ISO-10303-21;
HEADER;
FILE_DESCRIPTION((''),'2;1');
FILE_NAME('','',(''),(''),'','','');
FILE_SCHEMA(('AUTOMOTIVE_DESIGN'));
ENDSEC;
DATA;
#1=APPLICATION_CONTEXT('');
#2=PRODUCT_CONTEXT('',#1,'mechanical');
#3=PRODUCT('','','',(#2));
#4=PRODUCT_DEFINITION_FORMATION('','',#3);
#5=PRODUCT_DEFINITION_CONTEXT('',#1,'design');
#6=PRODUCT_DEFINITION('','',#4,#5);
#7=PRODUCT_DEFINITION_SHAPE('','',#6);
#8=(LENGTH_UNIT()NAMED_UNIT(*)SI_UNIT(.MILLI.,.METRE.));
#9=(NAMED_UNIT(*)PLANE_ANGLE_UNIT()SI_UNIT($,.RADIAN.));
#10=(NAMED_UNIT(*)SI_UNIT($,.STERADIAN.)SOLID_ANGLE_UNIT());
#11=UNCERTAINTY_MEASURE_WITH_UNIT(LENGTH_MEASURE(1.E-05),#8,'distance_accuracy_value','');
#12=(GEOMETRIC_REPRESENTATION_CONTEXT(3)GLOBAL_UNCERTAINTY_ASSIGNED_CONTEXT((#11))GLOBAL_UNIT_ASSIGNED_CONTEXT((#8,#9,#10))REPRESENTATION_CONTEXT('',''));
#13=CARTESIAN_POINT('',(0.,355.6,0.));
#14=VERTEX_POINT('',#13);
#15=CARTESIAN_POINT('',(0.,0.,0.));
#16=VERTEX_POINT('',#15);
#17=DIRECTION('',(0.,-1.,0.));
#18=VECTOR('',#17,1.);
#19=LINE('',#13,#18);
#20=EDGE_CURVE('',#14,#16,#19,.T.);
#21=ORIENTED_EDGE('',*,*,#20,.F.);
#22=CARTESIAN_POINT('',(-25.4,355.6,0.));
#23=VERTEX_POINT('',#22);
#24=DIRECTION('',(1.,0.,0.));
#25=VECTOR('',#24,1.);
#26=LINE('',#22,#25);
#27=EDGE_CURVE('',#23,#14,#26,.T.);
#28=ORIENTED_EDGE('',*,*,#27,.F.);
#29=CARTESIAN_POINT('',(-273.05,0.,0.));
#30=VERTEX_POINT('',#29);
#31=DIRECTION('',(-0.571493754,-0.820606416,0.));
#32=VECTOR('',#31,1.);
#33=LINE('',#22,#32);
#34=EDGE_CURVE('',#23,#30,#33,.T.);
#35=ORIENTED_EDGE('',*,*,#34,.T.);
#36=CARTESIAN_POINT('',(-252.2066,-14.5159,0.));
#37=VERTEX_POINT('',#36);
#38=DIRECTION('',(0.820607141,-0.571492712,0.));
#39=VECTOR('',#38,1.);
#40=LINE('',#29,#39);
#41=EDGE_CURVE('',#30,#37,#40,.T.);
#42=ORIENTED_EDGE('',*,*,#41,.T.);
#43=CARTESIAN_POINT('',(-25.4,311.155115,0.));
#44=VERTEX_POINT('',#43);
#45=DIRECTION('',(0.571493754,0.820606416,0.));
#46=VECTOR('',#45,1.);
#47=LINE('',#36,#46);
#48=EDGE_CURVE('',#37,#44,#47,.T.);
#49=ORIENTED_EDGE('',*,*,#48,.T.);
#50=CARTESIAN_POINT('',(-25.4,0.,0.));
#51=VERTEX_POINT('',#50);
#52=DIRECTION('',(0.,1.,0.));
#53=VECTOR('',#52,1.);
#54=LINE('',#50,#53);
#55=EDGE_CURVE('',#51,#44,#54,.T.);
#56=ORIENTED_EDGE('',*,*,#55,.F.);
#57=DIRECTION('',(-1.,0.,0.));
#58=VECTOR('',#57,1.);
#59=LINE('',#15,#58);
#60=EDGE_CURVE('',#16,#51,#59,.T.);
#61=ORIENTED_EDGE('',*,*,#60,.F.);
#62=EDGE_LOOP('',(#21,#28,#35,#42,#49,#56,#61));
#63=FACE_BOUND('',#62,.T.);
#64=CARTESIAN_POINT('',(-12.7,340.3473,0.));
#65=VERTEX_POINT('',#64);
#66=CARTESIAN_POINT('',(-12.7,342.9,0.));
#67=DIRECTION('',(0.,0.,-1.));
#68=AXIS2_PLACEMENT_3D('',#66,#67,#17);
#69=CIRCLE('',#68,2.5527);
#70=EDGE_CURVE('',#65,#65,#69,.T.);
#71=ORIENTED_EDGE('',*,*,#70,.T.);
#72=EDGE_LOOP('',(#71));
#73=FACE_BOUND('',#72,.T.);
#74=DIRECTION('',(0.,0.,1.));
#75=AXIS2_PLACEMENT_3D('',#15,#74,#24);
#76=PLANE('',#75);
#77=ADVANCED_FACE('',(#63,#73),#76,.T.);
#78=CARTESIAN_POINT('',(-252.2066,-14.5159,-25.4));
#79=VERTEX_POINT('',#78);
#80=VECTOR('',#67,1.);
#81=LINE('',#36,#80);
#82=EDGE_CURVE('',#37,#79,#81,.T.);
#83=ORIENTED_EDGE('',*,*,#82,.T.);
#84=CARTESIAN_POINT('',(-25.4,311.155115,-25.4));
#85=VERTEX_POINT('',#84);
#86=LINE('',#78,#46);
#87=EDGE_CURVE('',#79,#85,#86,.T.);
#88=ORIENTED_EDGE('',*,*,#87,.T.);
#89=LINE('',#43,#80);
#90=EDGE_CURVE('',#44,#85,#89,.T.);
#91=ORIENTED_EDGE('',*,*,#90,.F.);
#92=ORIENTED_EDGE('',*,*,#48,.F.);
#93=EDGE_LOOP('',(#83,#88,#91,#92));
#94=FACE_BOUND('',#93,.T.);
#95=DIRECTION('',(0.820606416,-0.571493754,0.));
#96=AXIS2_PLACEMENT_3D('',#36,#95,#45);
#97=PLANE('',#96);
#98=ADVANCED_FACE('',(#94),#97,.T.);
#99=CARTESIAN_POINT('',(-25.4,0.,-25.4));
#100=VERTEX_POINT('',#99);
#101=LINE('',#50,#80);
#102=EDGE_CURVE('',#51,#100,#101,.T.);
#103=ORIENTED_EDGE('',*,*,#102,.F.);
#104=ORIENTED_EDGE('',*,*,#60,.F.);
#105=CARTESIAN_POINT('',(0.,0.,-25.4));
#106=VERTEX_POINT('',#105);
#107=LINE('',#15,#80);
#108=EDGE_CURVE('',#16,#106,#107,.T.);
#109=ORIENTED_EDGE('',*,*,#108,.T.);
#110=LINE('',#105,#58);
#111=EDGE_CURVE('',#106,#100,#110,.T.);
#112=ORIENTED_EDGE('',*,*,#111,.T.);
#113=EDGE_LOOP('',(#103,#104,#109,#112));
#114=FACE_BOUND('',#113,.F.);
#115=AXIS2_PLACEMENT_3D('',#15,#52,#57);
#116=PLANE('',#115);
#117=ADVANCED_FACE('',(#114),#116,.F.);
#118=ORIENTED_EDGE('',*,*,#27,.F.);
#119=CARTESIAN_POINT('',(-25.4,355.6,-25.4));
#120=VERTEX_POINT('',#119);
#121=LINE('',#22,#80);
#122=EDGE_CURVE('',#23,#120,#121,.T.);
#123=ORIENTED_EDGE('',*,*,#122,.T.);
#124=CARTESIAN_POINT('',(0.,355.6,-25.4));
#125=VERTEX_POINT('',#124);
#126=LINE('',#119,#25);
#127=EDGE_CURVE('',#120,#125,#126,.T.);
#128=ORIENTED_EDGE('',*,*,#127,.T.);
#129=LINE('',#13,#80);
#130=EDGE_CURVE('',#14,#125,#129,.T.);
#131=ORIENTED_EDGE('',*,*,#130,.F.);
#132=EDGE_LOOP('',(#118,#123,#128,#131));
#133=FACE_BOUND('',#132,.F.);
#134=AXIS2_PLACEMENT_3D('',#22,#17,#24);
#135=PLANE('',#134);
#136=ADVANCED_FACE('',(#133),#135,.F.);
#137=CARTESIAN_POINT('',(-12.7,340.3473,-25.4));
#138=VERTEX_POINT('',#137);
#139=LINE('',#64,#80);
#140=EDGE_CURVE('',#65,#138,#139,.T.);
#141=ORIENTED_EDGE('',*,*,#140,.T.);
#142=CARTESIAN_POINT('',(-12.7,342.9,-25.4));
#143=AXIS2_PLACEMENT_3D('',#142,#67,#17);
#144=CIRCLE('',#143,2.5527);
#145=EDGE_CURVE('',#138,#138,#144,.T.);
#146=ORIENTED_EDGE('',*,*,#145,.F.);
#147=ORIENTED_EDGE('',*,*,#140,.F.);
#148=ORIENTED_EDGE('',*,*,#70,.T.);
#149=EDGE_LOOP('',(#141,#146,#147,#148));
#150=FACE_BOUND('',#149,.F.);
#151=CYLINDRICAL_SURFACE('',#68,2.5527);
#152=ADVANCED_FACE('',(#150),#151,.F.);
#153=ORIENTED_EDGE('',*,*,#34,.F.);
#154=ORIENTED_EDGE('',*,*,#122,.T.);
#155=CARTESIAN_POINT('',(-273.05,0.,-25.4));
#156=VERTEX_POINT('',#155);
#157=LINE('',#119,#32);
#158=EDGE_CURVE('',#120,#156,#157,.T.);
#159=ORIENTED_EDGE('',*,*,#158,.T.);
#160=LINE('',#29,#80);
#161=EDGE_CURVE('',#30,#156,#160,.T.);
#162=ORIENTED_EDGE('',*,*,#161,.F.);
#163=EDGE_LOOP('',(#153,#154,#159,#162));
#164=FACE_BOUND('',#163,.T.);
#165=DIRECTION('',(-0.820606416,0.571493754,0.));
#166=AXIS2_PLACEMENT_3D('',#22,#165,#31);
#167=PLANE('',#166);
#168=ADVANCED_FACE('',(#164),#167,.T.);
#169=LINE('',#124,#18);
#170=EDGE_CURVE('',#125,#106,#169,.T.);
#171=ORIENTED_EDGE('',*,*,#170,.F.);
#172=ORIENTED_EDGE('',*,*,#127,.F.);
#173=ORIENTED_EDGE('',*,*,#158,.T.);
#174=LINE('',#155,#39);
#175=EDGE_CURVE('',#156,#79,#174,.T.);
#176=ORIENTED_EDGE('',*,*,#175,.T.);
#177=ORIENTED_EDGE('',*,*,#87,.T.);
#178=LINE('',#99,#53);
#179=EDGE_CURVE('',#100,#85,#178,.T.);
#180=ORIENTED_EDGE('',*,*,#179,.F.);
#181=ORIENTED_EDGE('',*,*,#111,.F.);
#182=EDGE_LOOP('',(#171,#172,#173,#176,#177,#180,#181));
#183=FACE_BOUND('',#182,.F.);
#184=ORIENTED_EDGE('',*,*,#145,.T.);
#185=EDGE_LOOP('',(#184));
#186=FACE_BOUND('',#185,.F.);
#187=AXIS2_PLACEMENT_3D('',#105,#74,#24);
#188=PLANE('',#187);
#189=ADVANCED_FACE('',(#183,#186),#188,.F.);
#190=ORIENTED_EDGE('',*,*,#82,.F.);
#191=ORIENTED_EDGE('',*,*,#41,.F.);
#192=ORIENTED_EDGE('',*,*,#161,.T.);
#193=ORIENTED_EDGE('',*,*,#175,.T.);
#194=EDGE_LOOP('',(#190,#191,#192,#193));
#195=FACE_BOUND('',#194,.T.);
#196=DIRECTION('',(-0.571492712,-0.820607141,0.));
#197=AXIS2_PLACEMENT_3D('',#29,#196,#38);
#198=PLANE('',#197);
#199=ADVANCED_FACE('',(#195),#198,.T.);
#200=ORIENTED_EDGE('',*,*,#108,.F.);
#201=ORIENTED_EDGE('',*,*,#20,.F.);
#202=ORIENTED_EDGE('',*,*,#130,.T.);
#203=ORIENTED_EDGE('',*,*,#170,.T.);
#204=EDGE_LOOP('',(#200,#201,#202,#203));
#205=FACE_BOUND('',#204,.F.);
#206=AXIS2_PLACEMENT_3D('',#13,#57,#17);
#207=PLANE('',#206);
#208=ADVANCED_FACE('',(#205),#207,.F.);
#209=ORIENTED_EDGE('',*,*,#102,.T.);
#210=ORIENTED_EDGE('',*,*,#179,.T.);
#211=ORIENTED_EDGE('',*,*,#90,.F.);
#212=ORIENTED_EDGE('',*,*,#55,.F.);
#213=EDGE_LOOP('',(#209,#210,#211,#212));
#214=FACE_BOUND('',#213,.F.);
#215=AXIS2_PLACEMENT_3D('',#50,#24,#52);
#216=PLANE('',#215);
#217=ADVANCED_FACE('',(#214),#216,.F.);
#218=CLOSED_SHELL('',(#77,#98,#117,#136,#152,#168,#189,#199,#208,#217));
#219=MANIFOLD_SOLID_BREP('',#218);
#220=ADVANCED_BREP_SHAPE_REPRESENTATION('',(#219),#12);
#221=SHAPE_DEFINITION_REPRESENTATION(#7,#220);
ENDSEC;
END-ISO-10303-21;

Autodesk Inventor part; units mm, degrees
ref_plane "YZ Plane" through (0, 0, 0) normal (1, 0, 0) x (0, 1, 0)
ref_plane "XZ Plane" through (0, 0, 0) normal (0, 1, 0) x (-1, 0, 0)
ref_plane "XY Plane" through (0, 0, 0) normal (0, 0, 1) x (1, 0, 0)
sketch "Sketch1" plane through (0, 0, 0) normal (0, 0, 1) x (1, 0, 0)
  line L0 (0, 0) -> (-25.4, 0)
  line L1 (-25.4, 0) -> (-25.4, 355.6)
  line L2 (-25.4, 355.6) -> (0, 355.6)
  line L3 (0, 355.6) -> (0, 0)
  line L4 (-25.4, 355.6) -> (-273.05, 0)
  line L5 (-273.05, 0) -> (-252.2066, -14.5159)
  line L6 (-252.2066, -14.5159) -> (-4.5566, 341.0841)
  line L7 (-4.5566, 341.0841) -> (-25.4, 355.6)
  point P0 (-25.4, 311.1551)
  dimension "d0" = 25.4
  dimension "d1" = 355.6
  dimension "d2" = 25.4
  dimension "d3" = 273.05
extrude "Extrusion1" add sketch "Sketch1" against normal blind 25.4
sketch "Sketch2" plane through (0, 0, 0) normal (0, 0, 1) x (1, 0, 0)
  line L0 (0, 355.6) -> (0, 0) construction
  line L1 (0, 0) -> (-25.4, 0) construction
  line L2 (-25.4, 0) -> (-25.4, 311.1551) construction
  line L3 (-25.4, 311.1551) -> (-252.2066, -14.5159) construction
  line L4 (-252.2066, -14.5159) -> (-273.05, 0) construction
  line L5 (-273.05, 0) -> (-25.4, 355.6) construction
  line L6 (-25.4, 355.6) -> (0, 355.6) construction
  point P0 (-12.7, 342.9)
  dimension "d6" = 12.7
  dimension "d7" = 12.7
hole "Hole1" at (-12.7, 342.9, 0) direction (0, 0, -1) diameter 5.1054 end through all clearance for "Flat Head Machine Screw (82)" size "#10" standard "Ansi Unified Screw Threads"
equation "\"d2\" = d0"
equation "\"d7\" = d6"
properties part number "CL6-P1" material "Aluminum 6061"
